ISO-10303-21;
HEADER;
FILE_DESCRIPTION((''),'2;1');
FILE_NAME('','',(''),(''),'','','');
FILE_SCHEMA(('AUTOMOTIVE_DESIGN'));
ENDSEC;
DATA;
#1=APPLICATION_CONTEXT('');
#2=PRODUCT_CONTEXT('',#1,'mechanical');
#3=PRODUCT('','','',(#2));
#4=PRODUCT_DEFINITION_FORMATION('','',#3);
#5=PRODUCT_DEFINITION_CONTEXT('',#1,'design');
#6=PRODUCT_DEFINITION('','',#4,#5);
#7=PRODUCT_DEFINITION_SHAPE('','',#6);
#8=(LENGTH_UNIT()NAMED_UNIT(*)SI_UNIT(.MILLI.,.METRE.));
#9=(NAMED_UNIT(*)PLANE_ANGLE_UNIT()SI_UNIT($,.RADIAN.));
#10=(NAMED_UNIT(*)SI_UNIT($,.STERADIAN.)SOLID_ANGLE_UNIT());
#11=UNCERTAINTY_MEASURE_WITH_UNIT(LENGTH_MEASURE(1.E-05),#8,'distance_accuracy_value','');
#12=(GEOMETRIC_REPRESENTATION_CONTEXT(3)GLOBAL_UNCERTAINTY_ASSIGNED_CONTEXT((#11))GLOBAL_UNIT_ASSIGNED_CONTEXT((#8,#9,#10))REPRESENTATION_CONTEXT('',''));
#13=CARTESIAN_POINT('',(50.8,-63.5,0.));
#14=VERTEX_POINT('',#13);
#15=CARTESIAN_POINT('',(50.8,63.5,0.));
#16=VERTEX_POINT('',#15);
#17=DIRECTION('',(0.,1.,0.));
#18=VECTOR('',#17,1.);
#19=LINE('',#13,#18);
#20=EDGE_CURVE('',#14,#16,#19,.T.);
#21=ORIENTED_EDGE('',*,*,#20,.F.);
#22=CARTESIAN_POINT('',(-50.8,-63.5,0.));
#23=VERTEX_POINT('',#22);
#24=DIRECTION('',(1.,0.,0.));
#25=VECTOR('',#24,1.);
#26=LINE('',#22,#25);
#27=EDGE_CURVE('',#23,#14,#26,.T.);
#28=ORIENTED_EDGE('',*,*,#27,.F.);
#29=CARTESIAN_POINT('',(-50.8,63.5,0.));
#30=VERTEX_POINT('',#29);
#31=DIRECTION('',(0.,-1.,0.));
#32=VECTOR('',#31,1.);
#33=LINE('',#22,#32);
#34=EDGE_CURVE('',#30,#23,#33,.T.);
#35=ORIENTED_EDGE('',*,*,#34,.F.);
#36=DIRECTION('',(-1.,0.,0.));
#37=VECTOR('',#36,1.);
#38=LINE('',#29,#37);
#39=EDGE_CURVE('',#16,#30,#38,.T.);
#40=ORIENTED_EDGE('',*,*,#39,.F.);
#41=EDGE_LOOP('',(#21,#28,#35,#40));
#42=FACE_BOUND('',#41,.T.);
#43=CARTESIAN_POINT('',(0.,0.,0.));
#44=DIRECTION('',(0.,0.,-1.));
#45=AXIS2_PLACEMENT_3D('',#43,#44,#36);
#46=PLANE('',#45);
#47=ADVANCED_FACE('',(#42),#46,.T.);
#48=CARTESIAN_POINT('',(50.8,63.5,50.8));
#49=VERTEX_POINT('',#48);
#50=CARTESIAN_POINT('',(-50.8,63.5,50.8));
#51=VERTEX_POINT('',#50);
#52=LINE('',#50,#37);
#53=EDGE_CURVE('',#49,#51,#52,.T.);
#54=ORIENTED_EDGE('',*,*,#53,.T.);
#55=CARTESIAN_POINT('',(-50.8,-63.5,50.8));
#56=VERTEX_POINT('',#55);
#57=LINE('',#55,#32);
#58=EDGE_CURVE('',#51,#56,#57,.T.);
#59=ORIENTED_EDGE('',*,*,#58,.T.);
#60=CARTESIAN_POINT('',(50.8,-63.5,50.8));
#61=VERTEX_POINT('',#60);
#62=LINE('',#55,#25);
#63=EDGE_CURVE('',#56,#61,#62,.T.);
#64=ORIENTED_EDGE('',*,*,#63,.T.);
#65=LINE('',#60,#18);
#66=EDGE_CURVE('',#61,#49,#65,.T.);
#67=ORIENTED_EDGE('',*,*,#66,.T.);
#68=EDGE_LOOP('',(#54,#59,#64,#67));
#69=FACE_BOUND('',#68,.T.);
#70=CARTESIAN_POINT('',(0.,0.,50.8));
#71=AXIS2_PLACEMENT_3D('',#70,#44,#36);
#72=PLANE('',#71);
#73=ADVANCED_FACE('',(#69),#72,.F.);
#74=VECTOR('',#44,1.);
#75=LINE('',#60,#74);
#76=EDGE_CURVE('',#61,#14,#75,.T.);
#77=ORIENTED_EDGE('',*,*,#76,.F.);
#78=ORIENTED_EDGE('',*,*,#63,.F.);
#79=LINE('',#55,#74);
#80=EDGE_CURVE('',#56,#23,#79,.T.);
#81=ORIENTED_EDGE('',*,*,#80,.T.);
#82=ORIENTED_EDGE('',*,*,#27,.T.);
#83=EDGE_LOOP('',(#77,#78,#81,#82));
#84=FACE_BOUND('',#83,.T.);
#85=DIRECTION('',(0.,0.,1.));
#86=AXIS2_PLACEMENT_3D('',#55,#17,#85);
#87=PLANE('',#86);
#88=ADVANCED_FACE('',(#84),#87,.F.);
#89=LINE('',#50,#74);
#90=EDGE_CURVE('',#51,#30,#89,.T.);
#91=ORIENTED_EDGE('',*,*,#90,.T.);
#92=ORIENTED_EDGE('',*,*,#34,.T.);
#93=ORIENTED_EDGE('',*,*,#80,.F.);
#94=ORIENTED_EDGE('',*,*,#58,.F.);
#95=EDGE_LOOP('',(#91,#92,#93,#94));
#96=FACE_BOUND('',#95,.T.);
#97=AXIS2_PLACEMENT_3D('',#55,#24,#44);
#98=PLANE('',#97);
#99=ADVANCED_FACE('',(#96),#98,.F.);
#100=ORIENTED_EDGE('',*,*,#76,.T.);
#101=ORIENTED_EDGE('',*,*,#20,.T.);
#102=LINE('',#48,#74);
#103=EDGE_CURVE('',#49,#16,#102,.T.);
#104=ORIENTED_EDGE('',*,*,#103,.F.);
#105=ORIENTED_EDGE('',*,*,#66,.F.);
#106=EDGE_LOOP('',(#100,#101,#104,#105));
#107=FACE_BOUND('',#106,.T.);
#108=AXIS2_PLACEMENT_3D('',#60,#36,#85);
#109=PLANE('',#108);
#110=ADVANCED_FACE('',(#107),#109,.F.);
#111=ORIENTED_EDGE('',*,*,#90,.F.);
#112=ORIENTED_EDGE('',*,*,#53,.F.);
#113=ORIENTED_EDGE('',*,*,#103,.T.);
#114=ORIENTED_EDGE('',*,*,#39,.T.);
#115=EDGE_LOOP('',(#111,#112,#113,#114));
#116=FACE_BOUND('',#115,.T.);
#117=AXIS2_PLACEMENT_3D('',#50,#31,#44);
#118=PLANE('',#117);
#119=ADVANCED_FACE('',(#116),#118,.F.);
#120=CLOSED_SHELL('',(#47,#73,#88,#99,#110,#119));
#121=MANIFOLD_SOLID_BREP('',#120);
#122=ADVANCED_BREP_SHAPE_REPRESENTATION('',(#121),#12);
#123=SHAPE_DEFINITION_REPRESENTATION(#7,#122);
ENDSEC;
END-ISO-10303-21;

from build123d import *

# Parameters (mm, degrees)
BLOCKBASE_W = 101.6
BLOCKBASE_H = 127
BLOCK_DEPTH = 50.8


with BuildPart() as part:
    # BlockBase → Block (new body)
    with BuildSketch(Plane.XY):
        Rectangle(BLOCKBASE_W, BLOCKBASE_H)
    extrude(amount=BLOCK_DEPTH)


solid = part.part
